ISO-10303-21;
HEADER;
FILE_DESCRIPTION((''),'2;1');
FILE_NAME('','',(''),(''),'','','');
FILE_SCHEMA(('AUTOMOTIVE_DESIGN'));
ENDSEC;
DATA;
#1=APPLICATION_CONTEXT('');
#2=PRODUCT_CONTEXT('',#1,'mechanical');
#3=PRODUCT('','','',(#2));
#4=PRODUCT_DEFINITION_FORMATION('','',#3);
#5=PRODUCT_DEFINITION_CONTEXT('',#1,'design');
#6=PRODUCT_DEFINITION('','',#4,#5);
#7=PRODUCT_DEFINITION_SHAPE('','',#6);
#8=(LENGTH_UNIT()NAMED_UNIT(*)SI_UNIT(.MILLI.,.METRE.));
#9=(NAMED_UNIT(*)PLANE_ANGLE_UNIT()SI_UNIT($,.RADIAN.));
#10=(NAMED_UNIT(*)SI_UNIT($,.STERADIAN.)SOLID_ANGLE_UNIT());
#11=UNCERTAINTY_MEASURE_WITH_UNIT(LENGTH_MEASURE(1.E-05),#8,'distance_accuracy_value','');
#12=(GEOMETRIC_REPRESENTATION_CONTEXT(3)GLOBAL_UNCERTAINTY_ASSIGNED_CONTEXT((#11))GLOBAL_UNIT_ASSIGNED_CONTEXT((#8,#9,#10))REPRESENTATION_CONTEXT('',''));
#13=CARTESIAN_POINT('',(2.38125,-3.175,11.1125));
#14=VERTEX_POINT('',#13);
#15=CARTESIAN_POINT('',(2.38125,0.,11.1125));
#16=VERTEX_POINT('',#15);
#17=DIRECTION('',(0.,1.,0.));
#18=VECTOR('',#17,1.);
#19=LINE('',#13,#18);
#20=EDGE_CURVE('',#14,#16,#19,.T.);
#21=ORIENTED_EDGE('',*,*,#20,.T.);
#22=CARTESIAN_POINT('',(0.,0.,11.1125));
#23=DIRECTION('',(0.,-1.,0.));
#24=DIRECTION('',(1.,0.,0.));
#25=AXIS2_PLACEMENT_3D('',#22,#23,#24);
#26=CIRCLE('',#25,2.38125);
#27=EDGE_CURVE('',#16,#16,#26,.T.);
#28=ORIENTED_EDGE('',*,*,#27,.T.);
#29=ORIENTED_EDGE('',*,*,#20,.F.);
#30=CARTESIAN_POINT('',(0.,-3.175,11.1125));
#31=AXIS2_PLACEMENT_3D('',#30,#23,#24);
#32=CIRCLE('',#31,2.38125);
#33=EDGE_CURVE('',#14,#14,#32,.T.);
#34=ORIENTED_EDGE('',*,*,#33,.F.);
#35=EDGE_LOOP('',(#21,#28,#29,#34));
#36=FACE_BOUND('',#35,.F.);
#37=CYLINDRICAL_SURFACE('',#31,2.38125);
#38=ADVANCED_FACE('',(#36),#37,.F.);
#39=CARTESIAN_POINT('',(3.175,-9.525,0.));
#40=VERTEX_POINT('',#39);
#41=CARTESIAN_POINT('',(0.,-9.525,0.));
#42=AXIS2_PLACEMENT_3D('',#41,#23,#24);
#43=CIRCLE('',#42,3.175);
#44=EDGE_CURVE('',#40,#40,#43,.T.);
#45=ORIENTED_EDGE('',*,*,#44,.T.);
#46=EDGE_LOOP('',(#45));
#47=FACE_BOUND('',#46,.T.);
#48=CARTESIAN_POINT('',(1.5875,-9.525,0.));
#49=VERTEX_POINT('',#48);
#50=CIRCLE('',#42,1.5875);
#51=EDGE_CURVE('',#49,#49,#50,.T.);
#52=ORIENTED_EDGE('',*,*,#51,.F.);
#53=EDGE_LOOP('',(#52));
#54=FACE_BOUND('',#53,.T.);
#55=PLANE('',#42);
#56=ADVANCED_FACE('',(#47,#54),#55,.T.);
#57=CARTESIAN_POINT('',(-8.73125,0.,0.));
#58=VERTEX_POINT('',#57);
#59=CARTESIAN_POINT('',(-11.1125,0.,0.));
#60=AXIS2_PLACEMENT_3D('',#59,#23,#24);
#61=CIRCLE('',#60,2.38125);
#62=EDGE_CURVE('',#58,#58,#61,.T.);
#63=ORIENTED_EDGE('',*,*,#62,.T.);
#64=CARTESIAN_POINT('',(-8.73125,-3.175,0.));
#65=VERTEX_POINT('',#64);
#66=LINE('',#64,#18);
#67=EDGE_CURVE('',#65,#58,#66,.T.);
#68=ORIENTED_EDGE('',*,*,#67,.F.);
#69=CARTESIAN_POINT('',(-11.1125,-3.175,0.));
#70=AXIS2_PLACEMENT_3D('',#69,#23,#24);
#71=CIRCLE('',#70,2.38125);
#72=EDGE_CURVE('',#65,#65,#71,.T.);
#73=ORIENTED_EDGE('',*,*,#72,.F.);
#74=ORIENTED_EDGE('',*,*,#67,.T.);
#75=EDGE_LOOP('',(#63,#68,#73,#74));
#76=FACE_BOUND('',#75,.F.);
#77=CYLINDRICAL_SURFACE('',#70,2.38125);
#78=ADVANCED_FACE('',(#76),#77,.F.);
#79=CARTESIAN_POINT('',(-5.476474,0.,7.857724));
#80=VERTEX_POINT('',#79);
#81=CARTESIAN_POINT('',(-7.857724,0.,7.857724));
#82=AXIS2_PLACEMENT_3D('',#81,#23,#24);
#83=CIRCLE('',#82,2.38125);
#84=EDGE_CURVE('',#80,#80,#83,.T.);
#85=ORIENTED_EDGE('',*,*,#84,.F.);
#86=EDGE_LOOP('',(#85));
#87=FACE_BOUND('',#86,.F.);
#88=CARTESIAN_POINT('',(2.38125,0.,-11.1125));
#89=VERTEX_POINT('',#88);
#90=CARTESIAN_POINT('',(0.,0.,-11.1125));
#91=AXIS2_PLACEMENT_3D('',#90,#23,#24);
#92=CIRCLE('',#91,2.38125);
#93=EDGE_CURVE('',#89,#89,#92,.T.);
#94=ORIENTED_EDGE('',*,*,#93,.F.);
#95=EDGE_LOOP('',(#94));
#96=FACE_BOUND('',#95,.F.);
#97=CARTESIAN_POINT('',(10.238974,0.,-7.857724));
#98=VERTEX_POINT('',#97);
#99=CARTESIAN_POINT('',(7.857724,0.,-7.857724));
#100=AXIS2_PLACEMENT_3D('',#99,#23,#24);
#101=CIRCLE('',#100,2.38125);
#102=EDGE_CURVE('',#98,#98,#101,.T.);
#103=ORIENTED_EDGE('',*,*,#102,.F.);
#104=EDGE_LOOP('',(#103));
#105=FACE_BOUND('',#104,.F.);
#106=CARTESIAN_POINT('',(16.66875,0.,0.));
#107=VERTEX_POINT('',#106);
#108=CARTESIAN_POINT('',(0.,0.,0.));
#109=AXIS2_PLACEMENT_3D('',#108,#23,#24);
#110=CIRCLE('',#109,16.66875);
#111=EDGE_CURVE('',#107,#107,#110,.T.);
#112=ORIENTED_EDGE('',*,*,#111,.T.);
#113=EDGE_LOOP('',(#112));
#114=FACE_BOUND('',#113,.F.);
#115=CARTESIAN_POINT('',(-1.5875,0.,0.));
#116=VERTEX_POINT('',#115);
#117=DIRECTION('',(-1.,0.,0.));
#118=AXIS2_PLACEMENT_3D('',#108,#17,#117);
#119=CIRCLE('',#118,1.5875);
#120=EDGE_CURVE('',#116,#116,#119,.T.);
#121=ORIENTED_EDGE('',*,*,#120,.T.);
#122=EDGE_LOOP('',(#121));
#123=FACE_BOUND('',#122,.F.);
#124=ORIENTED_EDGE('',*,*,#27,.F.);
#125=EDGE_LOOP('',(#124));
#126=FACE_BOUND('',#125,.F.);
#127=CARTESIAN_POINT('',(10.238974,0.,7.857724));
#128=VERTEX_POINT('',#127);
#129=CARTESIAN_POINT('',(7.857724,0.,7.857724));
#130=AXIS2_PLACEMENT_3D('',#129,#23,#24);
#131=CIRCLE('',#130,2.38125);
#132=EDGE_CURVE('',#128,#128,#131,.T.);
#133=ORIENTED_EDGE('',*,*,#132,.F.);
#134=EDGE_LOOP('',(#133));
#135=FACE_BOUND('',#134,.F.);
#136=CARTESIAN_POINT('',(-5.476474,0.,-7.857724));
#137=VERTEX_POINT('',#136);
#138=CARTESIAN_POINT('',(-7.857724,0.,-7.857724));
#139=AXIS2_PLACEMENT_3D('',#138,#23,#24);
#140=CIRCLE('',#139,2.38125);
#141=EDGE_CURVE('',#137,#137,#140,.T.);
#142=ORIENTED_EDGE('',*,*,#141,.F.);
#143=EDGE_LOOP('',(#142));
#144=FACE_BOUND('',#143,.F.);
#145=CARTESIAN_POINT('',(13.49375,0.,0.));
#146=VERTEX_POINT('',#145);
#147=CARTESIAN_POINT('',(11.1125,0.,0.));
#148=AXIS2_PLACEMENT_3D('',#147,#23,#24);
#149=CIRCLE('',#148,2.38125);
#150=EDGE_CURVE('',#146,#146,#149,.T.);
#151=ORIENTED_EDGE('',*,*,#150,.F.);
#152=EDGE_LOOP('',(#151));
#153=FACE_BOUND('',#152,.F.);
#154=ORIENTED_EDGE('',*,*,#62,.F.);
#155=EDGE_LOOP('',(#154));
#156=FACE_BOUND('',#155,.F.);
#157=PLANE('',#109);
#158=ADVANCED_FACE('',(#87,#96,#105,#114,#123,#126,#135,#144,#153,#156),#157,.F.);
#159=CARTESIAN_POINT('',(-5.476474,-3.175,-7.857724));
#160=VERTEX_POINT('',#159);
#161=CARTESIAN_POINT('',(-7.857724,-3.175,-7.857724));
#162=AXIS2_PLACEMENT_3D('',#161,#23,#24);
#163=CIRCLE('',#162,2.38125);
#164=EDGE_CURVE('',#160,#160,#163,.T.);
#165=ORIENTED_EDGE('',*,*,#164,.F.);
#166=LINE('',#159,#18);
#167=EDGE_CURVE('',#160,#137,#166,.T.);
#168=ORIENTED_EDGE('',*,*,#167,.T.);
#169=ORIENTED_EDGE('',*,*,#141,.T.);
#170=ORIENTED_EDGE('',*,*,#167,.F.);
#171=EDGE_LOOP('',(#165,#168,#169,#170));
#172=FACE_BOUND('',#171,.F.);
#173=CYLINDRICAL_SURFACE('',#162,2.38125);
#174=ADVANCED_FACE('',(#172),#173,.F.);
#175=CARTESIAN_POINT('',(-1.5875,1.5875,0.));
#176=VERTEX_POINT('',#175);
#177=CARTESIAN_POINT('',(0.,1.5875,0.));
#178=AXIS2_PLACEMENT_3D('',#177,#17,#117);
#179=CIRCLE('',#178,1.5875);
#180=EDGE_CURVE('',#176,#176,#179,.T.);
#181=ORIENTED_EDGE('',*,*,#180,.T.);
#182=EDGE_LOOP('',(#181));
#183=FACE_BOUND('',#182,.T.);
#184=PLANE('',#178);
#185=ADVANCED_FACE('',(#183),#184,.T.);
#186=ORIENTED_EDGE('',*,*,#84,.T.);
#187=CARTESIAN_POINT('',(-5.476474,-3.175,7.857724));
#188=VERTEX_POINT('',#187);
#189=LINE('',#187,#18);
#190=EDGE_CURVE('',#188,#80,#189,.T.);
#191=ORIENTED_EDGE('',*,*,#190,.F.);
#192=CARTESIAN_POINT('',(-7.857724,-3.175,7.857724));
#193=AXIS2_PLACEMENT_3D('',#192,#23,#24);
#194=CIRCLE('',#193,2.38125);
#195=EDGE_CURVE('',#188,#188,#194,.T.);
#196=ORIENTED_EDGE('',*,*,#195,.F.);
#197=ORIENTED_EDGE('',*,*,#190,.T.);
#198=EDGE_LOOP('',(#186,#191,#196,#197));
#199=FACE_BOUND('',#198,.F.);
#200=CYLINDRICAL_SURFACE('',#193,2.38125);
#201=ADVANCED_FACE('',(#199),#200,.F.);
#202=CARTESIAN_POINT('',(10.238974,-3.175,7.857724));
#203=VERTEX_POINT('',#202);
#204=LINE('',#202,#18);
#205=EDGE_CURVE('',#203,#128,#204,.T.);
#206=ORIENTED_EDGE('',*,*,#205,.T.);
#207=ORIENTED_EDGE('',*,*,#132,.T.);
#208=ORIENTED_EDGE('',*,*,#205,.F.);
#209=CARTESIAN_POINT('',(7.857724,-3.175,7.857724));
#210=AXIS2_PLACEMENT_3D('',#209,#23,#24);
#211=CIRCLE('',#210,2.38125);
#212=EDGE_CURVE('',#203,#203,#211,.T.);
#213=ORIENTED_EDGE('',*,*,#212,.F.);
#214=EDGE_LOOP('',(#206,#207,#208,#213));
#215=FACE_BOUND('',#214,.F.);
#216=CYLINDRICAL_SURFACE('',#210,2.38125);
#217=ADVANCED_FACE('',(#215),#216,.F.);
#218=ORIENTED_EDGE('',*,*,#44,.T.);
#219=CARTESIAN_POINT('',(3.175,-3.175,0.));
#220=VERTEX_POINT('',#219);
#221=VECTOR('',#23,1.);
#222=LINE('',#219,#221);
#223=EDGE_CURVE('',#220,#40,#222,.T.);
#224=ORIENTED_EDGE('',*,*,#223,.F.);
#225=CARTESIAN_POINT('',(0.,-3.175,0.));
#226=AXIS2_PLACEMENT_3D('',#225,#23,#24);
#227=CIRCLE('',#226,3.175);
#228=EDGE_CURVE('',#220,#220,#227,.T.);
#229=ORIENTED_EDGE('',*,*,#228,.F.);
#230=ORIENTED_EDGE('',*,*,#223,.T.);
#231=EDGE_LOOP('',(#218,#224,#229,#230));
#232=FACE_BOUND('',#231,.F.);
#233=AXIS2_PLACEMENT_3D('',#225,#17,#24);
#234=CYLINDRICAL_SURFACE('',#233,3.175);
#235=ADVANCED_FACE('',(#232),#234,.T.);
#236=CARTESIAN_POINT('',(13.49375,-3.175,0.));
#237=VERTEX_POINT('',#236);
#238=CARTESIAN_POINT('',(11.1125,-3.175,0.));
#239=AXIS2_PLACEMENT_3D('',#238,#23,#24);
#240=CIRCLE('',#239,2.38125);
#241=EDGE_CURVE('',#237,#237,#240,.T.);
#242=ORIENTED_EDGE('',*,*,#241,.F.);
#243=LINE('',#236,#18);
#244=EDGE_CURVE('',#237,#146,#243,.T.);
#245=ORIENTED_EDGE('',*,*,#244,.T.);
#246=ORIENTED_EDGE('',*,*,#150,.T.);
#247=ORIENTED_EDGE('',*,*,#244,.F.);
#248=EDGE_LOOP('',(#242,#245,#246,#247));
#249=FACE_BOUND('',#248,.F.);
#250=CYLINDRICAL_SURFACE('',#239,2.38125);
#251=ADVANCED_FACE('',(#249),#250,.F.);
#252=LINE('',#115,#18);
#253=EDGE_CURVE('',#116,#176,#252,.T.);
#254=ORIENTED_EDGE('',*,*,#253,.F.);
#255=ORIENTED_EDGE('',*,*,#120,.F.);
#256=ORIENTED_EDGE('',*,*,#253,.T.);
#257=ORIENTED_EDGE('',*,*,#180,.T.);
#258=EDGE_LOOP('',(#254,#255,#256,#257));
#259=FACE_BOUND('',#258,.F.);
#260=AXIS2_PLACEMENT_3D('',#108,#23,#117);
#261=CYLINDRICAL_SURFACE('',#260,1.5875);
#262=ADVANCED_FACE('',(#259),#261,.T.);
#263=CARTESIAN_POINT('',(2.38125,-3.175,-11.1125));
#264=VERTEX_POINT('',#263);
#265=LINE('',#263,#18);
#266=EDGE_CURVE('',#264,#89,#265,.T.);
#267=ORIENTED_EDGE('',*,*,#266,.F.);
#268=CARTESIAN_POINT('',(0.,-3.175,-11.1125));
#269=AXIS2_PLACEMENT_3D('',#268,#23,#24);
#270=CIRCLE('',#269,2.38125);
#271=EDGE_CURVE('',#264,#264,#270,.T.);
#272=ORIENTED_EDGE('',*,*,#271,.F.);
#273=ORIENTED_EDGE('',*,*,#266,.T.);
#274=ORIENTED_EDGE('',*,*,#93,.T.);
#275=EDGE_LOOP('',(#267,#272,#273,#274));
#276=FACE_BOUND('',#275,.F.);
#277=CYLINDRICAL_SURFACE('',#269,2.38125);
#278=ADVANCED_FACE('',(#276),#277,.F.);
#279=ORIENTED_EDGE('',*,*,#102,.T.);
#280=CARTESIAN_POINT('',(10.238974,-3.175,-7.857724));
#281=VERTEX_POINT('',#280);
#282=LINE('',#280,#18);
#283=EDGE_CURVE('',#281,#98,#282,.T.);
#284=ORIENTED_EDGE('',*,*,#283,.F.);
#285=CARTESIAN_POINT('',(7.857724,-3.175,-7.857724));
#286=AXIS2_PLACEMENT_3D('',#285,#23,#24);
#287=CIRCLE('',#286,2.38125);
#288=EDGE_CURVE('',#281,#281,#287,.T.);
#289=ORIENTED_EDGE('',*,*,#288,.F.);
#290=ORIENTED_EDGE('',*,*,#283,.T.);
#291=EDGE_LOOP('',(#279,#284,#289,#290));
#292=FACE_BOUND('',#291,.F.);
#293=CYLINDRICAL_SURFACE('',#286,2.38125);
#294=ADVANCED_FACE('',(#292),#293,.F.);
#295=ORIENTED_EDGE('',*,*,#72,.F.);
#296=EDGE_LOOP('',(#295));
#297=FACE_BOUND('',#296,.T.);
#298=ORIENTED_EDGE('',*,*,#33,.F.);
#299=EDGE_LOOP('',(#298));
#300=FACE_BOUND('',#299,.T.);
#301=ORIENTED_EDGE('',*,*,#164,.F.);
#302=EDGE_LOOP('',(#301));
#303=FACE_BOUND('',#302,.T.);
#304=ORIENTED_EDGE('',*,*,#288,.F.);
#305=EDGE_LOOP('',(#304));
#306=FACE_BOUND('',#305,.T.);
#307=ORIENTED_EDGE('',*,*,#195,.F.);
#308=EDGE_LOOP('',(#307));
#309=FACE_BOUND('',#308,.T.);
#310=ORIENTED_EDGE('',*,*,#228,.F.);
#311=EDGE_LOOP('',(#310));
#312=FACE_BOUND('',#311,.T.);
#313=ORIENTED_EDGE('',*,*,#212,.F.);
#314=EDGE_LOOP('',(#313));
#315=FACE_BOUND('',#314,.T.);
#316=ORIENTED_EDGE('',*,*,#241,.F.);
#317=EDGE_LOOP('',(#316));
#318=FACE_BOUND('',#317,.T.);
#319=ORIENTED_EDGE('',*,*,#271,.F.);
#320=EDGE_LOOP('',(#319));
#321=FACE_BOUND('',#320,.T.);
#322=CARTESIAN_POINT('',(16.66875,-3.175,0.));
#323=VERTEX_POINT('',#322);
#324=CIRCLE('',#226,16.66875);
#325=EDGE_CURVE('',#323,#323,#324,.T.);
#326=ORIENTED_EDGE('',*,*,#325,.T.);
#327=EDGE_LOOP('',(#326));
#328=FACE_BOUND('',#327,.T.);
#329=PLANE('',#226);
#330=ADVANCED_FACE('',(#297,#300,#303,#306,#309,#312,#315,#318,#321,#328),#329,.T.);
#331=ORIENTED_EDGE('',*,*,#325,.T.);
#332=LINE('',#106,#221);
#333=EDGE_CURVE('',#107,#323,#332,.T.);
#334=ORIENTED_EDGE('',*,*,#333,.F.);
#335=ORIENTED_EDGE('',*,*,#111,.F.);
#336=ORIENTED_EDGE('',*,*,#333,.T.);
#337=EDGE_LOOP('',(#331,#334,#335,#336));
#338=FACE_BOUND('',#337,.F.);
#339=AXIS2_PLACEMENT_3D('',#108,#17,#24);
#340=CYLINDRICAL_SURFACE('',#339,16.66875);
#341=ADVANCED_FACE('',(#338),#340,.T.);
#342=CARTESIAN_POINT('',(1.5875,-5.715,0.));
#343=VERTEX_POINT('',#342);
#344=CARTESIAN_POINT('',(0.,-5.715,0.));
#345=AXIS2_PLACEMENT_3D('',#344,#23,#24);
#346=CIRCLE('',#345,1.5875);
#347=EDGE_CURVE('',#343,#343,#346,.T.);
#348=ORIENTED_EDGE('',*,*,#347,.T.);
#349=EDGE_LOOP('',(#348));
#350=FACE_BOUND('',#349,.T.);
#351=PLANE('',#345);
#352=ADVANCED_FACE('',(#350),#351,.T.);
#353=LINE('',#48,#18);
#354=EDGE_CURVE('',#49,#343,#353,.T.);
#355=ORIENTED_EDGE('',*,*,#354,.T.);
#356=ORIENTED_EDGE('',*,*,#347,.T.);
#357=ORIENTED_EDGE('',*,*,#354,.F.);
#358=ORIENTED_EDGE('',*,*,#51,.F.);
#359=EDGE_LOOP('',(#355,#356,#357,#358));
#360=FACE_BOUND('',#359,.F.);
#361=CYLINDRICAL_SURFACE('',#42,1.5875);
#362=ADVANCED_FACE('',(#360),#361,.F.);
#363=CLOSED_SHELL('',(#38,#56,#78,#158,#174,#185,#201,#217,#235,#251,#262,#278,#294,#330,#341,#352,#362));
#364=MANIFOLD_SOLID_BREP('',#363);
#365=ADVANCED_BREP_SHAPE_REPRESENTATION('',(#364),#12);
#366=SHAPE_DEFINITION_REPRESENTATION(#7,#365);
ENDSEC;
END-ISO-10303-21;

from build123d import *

# Parameters (mm, degrees)
F0_R     = 16.66875
F1_DEPTH = 3.175
F2_R     = 3.175
F3_DEPTH = 6.35
F4_R     = 1.5875
F5_DEPTH = 3.81
F6_R     = 2.38125
F7_DEPTH = 25.4
F8_R     = 1.5875
F9_DEPTH = 1.5875


with BuildPart() as f1:
    # F0 (on Front) → F1 (new body)
    with BuildSketch(Plane.XZ):
        Circle(F0_R)
    extrude(amount=F1_DEPTH)

    # F2 (on face) → F3 (join)
    with BuildSketch(Plane.XZ.offset(3.175)):
        Circle(F2_R)
    extrude(amount=F3_DEPTH)

    # F4 (on face) → F5 (cut)
    with BuildSketch(Plane.XZ.offset(9.525)):
        Circle(F4_R)
    extrude(amount=-F5_DEPTH, mode=Mode.SUBTRACT)

    # F6 (on face) → F7 (cut)
    with BuildSketch(Plane.XZ.offset(3.175)):
        with Locations((11.1125, 0)):
            Circle(F6_R)
        with Locations((7.857724, 7.857724)):
            Circle(F6_R)
        with Locations((0, 11.1125)):
            Circle(F6_R)
        with Locations((-7.857724, 7.857724)):
            Circle(F6_R)
        with Locations((-11.1125, 0)):
            Circle(F6_R)
        with Locations((-7.857724, -7.857724)):
            Circle(F6_R)
        with Locations((0, -11.1125)):
            Circle(F6_R)
        with Locations((7.857724, -7.857724)):
            Circle(F6_R)
    extrude(amount=-F7_DEPTH, mode=Mode.SUBTRACT)

    # F8 (on face) → F9 (join)
    with BuildSketch(Plane(origin=(0, 0, 0), x_dir=(-1, 0, 0), z_dir=(0, 1, 0))):
        Circle(F8_R)
    extrude(amount=F9_DEPTH)


solid = f1.part
